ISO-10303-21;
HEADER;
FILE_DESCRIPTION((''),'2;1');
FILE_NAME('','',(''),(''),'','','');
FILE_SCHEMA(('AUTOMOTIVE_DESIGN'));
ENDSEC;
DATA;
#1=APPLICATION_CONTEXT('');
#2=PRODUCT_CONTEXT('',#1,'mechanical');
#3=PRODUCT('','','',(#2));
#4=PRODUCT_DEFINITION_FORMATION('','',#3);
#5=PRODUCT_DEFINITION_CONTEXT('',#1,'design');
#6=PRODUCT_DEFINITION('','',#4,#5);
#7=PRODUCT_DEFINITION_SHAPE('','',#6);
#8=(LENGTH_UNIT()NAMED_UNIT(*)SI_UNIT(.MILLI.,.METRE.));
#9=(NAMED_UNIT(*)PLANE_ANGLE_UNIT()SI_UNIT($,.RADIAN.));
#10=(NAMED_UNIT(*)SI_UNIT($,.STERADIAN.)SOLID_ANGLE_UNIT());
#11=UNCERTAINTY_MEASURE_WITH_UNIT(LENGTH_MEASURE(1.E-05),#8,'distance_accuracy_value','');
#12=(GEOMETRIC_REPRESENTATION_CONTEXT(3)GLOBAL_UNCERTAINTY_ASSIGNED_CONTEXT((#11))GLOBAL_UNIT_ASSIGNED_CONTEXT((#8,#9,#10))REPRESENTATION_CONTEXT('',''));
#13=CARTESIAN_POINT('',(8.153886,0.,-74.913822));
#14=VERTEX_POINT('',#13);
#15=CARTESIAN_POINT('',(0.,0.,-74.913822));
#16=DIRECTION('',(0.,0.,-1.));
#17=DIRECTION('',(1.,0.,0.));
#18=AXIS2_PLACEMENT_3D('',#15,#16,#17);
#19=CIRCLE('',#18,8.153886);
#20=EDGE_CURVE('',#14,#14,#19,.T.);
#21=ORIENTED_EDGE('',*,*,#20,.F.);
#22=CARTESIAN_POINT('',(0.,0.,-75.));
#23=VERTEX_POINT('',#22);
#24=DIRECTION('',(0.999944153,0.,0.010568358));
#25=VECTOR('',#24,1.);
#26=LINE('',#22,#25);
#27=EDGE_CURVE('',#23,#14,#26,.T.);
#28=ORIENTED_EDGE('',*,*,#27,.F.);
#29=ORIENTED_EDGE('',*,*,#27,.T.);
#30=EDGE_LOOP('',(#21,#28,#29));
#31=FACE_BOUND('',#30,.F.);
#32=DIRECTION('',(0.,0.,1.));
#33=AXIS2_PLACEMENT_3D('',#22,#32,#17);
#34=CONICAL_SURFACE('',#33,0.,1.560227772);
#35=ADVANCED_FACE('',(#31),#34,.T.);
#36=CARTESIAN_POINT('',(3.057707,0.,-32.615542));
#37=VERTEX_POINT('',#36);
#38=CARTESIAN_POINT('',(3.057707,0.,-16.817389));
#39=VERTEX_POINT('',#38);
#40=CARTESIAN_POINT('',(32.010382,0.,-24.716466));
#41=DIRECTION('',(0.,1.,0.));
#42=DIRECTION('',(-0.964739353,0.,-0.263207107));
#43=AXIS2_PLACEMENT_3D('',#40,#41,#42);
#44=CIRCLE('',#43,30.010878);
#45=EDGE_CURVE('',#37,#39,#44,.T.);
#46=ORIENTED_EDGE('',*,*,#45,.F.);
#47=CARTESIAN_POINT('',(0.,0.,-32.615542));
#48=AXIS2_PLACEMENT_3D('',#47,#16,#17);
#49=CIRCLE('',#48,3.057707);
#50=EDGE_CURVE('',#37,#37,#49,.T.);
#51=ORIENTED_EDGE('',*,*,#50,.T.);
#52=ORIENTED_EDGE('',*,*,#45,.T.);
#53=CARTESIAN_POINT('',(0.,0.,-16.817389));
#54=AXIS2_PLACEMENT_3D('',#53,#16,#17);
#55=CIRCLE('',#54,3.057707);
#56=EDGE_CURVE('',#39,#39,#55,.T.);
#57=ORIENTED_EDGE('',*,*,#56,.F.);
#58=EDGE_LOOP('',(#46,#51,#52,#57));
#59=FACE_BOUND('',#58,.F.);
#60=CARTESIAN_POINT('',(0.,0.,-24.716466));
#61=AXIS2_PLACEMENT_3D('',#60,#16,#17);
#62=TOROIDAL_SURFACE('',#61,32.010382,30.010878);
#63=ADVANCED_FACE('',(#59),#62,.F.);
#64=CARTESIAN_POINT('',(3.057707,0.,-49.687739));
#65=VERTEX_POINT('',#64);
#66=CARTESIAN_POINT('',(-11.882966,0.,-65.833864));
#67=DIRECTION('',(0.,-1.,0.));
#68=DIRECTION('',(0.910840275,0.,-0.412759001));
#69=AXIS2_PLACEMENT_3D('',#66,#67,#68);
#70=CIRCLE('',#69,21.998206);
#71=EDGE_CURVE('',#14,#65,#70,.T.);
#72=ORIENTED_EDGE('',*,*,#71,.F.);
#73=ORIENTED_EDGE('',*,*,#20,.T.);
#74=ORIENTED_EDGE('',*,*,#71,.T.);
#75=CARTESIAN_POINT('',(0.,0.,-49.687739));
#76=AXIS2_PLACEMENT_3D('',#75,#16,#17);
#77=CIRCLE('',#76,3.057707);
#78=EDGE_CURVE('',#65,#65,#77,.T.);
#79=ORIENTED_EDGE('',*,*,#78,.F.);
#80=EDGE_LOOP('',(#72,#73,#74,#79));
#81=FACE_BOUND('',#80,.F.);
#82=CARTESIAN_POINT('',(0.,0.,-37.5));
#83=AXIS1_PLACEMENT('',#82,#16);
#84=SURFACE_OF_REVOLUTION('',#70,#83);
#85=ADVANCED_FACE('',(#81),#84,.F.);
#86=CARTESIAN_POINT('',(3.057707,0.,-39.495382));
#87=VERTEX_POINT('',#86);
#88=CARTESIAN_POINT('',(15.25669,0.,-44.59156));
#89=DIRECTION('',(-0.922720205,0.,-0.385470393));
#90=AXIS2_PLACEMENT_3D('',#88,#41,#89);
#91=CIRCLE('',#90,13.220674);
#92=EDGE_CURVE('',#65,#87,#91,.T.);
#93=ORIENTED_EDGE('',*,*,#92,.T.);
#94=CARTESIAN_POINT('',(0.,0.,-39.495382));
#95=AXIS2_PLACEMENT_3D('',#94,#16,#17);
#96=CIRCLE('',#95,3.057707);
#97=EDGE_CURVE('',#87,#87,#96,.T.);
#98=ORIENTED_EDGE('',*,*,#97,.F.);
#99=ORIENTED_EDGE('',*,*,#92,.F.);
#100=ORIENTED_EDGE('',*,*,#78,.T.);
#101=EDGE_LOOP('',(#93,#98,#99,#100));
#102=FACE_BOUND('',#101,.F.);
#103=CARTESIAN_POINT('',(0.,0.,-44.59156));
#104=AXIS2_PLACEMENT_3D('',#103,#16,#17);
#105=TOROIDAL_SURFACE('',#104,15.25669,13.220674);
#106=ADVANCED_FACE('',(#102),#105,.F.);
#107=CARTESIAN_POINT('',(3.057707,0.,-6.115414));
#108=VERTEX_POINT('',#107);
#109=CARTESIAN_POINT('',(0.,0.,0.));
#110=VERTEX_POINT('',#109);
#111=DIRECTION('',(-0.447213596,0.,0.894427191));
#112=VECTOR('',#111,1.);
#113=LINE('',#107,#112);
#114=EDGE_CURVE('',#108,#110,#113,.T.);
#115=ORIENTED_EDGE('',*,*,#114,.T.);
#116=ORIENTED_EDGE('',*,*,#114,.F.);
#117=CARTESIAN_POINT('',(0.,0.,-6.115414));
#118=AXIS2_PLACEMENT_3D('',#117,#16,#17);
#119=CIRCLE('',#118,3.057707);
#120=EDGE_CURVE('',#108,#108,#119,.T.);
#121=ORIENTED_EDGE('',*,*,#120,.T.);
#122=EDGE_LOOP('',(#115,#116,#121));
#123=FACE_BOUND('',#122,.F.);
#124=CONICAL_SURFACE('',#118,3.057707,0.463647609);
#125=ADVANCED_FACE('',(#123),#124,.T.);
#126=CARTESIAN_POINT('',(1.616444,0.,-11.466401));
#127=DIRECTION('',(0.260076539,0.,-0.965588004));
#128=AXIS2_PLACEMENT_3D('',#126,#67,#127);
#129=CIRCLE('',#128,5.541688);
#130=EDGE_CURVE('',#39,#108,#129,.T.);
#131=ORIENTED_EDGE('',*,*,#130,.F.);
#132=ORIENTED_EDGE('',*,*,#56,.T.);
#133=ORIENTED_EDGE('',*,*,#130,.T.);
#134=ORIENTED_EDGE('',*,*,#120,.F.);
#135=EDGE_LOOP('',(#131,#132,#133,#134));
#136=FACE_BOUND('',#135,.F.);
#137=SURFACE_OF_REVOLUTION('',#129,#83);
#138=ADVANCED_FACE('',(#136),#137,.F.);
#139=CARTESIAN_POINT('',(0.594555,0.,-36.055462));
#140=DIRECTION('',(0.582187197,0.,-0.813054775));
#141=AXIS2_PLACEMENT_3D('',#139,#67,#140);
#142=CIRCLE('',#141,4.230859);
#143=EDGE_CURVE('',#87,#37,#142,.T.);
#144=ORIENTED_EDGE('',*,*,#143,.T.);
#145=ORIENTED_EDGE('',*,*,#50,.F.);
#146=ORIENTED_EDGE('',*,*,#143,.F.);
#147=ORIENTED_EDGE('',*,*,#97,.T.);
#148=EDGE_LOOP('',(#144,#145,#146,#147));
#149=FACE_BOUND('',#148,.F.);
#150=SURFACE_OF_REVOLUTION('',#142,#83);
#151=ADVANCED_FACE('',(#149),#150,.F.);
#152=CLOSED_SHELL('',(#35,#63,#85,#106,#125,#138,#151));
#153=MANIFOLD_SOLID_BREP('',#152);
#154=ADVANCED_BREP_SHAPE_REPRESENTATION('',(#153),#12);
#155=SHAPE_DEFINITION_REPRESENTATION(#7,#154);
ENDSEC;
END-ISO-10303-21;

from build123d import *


with BuildPart() as f1:
    # F0 (on Front) → F1 (revolve)
    with BuildSketch(Plane.XZ):
        with BuildLine():
            Line((3.057707, -6.115414), (0, 0))
            Line((0, 0), (0, -75))
            Line((0, -75), (8.153886, -74.913822))
            ThreePointArc((8.153886, -74.913822), (9.679632, -61.477784), (3.057707, -49.687739))
            ThreePointArc((3.057707, -49.687739), (2.036016, -44.591561), (3.057707, -39.495382))
            ThreePointArc((3.057707, -39.495382), (4.825414, -36.055462), (3.057707, -32.615542))
            ThreePointArc((3.057707, -32.615542), (1.999504, -24.716466), (3.057707, -16.817389))
            ThreePointArc((3.057707, -16.817389), (7.158132, -11.466401), (3.057707, -6.115414))
        make_face()
    revolve(axis=Axis((0, 0, -37.5), (0, 0, -1)))


solid = f1.part
